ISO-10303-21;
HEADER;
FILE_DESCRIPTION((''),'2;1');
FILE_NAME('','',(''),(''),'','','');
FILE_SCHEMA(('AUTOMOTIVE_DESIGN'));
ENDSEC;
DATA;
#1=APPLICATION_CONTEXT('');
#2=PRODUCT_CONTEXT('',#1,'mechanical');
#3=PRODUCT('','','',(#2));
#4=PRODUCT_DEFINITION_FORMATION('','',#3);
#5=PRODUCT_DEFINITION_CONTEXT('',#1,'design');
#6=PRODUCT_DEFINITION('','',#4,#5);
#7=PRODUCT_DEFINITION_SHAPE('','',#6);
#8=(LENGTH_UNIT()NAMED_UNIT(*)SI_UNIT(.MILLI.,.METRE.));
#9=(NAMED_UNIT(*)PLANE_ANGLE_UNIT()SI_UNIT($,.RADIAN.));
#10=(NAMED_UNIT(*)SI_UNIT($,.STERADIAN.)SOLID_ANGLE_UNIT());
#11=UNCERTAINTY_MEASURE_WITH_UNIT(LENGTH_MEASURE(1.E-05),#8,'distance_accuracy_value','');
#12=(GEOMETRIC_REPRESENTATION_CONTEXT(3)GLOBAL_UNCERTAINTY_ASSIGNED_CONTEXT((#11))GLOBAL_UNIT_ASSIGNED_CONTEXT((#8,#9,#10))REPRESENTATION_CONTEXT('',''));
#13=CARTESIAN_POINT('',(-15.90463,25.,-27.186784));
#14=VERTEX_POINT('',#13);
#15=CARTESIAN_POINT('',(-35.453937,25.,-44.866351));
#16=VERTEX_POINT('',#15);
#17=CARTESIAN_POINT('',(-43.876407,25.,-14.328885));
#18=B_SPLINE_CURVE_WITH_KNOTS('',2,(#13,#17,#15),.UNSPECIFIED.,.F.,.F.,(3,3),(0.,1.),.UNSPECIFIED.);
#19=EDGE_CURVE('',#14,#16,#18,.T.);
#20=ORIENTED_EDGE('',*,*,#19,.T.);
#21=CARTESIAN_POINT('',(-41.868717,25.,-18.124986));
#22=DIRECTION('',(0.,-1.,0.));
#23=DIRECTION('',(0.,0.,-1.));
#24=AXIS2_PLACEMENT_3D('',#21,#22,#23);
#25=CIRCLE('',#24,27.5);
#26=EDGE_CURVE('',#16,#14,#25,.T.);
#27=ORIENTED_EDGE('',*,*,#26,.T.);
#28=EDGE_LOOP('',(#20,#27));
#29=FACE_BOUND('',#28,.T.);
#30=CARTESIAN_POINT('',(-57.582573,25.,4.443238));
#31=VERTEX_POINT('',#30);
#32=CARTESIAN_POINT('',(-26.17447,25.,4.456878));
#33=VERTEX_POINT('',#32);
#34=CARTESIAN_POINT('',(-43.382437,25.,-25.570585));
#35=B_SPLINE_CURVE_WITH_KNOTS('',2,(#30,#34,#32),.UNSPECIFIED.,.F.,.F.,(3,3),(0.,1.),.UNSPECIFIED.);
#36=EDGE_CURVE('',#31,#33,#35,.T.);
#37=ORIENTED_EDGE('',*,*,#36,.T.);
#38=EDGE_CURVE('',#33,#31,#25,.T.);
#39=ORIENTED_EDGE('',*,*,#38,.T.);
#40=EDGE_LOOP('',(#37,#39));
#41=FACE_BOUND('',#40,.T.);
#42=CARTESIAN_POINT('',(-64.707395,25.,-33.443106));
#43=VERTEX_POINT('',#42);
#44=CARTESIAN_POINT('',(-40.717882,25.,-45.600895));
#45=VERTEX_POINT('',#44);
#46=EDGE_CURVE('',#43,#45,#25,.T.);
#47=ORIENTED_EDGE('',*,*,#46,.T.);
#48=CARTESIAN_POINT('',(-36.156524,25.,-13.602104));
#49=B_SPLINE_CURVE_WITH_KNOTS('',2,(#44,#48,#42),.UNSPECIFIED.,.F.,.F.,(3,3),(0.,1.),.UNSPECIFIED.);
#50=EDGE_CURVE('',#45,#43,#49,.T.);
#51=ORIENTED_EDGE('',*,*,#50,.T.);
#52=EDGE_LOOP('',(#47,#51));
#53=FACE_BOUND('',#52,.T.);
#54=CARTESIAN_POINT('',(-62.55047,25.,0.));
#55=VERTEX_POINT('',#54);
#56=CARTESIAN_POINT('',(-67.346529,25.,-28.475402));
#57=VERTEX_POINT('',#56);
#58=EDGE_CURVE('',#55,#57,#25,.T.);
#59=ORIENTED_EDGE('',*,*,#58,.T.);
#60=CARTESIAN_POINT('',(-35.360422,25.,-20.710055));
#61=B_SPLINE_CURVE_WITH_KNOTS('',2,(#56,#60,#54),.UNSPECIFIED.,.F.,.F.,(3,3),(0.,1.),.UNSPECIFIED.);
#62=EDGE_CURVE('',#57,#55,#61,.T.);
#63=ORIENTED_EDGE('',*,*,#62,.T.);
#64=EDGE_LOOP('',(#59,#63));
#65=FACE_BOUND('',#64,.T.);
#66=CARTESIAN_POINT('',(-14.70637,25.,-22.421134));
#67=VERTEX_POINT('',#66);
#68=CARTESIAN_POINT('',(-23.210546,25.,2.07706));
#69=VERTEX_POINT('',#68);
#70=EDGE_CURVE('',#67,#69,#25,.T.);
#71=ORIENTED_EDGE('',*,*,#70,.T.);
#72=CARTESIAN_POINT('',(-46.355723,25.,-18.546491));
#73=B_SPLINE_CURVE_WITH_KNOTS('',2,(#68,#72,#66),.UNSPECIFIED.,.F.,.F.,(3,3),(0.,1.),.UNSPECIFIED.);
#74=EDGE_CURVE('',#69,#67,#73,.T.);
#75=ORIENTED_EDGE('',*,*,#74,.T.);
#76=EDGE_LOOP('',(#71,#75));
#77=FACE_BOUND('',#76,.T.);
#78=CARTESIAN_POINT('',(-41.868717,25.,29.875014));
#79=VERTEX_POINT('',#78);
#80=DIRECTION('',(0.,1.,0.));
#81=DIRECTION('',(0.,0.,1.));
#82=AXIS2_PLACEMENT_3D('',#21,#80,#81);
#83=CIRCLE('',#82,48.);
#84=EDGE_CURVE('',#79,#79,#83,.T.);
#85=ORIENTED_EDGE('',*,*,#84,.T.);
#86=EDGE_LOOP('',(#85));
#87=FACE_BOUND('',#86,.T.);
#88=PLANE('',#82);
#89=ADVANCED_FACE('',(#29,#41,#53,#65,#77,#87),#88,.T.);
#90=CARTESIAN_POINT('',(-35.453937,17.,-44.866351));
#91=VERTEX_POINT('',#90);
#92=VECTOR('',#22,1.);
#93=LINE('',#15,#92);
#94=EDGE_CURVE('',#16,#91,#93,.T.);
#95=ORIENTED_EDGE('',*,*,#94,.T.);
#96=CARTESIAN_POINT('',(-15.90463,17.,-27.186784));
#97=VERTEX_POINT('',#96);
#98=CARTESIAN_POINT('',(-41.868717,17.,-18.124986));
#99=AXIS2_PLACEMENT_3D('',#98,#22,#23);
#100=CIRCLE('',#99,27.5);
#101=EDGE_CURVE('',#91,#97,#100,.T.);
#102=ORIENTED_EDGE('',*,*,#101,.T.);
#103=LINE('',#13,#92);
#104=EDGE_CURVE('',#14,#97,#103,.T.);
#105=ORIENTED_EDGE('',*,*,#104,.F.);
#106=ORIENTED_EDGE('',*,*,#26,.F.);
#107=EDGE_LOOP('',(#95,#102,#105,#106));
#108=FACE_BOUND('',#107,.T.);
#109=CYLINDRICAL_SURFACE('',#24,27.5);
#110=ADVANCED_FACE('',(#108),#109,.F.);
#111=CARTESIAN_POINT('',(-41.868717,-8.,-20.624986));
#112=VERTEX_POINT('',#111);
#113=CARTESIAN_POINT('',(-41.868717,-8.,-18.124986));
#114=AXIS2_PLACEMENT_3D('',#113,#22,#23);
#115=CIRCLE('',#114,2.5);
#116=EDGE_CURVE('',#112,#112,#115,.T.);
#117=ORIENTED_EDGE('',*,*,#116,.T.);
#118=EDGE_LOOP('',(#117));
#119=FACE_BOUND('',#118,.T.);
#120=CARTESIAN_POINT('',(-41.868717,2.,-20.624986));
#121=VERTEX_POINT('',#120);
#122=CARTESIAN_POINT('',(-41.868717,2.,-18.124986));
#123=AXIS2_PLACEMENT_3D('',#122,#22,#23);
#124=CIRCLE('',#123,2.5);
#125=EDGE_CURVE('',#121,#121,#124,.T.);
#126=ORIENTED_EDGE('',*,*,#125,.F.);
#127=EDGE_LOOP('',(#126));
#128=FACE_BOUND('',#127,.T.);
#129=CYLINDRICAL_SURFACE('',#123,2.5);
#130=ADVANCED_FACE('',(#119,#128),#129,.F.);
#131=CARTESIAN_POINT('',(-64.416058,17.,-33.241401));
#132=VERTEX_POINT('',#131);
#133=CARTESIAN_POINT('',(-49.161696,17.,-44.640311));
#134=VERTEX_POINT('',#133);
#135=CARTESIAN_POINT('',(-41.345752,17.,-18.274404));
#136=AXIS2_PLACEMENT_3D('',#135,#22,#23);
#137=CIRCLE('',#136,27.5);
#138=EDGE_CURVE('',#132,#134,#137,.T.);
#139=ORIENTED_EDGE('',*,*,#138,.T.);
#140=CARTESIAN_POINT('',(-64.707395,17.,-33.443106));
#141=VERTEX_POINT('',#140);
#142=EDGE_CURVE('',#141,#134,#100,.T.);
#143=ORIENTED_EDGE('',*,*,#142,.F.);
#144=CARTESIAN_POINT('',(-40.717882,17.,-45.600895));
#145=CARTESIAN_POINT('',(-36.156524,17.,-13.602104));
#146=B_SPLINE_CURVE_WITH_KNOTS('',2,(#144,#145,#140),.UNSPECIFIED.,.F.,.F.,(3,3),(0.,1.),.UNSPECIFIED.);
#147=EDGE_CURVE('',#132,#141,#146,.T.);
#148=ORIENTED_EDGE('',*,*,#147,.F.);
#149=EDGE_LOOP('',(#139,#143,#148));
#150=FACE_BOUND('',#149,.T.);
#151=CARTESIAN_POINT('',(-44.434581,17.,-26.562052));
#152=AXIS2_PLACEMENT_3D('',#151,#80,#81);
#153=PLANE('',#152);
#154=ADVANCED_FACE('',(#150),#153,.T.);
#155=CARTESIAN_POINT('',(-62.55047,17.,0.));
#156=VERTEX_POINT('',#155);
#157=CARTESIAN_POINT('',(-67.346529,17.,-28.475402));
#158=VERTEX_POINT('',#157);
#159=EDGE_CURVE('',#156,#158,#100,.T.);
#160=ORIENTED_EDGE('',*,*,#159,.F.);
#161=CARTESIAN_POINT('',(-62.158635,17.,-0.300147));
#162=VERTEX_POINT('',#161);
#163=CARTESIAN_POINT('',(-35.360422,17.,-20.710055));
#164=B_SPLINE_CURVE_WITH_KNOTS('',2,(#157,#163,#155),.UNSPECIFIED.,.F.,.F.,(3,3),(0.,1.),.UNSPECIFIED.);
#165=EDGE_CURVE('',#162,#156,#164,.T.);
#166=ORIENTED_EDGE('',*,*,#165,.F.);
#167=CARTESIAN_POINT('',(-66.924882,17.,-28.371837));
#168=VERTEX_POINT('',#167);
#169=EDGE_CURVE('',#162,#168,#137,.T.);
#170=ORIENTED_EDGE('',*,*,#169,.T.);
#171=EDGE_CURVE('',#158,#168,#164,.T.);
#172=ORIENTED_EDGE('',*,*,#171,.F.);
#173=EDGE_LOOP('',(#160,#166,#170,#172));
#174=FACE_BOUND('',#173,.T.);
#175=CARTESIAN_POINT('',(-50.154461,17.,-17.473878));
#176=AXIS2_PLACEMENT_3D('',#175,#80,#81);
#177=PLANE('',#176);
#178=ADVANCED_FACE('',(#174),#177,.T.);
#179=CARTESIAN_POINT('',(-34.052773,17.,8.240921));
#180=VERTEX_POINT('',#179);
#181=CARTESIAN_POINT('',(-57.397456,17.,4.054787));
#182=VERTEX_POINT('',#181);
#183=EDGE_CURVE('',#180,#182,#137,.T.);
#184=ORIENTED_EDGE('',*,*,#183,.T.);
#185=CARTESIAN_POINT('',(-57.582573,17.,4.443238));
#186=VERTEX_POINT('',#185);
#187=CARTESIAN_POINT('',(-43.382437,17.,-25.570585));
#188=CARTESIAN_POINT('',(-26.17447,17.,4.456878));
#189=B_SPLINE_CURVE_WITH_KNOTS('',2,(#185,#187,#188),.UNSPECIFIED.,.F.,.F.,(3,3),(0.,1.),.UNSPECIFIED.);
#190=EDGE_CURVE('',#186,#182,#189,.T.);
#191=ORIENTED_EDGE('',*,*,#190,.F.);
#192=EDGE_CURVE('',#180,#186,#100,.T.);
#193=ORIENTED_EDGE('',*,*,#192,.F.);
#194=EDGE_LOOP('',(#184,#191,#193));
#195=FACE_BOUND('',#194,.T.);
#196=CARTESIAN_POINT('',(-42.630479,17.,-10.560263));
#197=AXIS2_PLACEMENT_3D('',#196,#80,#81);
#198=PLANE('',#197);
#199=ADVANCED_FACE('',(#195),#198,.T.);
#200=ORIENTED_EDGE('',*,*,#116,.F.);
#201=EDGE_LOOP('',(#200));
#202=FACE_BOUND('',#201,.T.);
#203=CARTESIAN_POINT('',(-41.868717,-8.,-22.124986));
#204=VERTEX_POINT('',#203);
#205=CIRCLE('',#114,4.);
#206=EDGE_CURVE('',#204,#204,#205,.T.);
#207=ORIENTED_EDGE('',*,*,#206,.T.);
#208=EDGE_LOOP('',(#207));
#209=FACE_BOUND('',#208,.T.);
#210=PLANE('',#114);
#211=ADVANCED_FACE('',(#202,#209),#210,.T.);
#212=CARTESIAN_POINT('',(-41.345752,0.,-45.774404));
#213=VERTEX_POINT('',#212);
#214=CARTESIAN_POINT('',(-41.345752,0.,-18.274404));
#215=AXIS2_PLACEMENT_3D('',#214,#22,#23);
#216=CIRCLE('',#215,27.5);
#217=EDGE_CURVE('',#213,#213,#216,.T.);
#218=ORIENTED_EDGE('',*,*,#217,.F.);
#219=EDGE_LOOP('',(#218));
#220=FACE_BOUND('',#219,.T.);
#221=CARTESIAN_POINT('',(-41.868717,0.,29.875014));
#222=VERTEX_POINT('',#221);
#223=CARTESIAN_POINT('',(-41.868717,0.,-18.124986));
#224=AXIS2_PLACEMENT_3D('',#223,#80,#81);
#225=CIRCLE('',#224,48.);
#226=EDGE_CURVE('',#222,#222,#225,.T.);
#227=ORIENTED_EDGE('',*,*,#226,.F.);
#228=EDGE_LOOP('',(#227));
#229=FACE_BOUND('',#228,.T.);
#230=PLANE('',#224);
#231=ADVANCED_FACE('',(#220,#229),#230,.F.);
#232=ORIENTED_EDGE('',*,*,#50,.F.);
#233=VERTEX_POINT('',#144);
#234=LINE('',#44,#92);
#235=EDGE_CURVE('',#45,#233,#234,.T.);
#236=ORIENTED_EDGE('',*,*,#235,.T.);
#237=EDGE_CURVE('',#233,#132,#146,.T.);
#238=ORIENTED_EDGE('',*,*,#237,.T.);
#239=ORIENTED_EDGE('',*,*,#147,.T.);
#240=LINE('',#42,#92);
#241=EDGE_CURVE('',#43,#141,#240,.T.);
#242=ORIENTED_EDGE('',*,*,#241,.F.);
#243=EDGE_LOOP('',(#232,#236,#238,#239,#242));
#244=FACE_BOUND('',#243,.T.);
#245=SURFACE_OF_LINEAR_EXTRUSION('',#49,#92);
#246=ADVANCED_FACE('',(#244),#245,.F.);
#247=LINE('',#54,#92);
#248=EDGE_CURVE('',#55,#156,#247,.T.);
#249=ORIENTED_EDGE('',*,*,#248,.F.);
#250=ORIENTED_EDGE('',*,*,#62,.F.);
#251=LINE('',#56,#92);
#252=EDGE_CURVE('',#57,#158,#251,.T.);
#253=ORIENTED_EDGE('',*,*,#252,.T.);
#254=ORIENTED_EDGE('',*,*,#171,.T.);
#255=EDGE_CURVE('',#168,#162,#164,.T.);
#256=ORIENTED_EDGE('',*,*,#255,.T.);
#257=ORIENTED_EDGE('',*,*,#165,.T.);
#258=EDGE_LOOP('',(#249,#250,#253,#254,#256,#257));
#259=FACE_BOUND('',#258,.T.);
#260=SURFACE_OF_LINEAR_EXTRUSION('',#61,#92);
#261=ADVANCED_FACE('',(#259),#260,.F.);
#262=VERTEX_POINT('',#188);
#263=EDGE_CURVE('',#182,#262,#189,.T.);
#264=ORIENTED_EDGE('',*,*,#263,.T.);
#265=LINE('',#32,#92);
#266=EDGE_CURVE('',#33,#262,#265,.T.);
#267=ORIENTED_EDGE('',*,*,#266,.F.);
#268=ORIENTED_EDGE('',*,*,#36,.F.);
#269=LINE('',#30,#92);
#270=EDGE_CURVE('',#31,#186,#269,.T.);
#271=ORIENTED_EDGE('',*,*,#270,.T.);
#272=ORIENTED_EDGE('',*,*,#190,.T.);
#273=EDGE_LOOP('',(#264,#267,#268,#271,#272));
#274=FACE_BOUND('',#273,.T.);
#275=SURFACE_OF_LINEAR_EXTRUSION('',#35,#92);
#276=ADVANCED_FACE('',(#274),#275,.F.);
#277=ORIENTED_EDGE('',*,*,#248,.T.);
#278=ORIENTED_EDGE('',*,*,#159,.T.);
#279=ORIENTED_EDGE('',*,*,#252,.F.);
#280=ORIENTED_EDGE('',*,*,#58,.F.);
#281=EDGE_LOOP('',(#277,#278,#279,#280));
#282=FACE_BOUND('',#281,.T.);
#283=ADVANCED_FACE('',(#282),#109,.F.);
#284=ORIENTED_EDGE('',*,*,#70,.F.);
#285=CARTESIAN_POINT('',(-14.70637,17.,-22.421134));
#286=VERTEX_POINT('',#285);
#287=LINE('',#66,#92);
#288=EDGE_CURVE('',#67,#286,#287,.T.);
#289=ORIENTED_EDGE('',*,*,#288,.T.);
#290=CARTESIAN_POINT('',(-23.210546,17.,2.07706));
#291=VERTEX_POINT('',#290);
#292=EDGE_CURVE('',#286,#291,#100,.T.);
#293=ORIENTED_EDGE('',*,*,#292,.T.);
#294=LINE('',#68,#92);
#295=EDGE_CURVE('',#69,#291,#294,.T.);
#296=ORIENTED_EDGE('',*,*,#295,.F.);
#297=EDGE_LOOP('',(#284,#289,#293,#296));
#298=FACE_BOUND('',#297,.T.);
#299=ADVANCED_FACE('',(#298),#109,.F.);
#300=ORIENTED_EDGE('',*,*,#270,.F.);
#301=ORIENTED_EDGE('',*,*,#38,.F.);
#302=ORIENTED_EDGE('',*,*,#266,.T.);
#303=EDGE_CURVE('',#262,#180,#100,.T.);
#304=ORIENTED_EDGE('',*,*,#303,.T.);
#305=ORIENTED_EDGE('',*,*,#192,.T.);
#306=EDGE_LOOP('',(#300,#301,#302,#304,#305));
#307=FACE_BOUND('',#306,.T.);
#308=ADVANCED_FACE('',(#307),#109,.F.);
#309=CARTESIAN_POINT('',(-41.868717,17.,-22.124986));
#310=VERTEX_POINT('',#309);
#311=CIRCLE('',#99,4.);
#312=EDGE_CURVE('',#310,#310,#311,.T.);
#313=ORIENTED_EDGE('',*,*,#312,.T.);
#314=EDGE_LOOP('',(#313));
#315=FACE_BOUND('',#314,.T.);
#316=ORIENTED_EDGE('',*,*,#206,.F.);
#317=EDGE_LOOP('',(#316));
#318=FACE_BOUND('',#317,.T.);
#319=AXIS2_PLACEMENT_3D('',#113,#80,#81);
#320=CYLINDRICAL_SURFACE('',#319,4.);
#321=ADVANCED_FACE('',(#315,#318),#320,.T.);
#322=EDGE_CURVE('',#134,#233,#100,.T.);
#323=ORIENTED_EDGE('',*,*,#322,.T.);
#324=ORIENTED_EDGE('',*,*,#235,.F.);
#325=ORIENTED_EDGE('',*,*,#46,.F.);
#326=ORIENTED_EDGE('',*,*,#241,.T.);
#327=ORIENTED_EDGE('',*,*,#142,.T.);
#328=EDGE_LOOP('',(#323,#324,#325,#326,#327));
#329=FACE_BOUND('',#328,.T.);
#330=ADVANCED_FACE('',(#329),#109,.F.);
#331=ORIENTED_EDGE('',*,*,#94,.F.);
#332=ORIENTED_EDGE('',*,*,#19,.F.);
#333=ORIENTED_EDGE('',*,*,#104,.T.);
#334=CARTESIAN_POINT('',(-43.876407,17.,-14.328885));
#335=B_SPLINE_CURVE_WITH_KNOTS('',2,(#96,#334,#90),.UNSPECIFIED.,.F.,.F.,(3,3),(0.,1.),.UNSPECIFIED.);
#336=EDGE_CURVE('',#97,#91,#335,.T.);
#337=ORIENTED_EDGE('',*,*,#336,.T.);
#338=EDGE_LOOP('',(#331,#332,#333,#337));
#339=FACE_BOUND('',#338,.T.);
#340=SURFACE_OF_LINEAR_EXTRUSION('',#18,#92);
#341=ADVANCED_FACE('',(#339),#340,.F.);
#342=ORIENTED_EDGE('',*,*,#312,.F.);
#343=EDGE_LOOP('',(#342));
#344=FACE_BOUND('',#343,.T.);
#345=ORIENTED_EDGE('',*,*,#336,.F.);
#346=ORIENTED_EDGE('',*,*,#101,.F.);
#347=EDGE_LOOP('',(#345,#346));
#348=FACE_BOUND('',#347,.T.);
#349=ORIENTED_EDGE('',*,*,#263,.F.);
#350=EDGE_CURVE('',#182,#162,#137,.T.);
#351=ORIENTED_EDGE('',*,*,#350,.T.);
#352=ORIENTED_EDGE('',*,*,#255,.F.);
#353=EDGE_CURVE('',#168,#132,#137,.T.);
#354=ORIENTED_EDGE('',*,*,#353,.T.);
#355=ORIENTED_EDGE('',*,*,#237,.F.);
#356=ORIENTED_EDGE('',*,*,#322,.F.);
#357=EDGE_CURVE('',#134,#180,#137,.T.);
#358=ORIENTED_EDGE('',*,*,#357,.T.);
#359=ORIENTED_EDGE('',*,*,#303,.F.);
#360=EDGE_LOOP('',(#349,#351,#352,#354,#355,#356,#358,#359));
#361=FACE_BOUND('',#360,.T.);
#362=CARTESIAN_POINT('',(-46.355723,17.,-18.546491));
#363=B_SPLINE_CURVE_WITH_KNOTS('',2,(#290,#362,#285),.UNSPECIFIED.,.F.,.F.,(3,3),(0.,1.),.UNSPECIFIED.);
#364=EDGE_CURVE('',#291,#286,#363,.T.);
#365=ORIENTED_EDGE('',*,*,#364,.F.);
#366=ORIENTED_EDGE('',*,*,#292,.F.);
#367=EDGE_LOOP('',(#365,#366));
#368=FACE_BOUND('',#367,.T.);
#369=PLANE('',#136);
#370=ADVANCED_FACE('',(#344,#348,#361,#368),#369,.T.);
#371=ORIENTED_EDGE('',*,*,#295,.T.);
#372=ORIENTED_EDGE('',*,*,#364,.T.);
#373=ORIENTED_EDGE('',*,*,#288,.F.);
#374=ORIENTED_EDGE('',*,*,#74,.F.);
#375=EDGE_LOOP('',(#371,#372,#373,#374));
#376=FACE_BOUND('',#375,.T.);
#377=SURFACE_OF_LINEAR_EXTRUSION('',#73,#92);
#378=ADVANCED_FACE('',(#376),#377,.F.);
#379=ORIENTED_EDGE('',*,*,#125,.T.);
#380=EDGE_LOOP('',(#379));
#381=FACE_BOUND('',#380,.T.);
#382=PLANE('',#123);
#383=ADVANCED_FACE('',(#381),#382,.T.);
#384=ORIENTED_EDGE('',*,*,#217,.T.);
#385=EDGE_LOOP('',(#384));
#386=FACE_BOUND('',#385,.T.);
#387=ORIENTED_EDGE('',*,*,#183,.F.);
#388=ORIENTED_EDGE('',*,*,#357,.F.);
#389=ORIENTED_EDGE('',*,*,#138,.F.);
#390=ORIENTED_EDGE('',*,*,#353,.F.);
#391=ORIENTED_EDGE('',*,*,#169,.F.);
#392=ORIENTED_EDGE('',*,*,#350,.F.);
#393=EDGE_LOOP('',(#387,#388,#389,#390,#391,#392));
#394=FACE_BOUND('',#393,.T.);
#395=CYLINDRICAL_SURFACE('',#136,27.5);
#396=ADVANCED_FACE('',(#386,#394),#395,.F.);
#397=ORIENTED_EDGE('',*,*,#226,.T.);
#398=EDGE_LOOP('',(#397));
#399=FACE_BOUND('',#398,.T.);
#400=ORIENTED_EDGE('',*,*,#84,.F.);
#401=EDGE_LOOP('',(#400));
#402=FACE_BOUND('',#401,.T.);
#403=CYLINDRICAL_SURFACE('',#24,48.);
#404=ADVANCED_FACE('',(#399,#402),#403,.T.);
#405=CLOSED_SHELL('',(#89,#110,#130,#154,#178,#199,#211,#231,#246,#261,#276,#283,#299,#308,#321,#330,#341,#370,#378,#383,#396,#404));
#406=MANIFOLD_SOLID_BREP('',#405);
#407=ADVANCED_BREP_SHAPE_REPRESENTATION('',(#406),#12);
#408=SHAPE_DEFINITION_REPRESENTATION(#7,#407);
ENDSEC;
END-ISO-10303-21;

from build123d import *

# Parameters (mm, degrees)
SKETCH2_R           = 40
BOSS_EXTRUDE1_DEPTH = 25
SKETCH3_R           = 27.5
CUT_EXTRUDE1_DEPTH  = 17
CUT_EXTRUDE3_DEPTH  = 9
SKETCH5_R           = 4
BOSS_EXTRUDE3_DEPTH = 25
SKETCH6_R           = 2.5
CUT_EXTRUDE4_DEPTH  = 10
SKETCH18_R          = 48
SKETCH18_R_2        = 40
BOSS_EXTRUDE5_DEPTH = 25


with BuildPart() as part:
    # Sketch2 → Boss-Extrude1 (new body)
    with BuildSketch(Plane(origin=(0, 0, 0), x_dir=(1, 0, 0), z_dir=(0, 1, 0))):
        with Locations((-41.86871729, 18.12498584)):
            Circle(SKETCH2_R)
    extrude(amount=BOSS_EXTRUDE1_DEPTH)

    # Sketch3 → Cut-Extrude1 (cut)
    with BuildSketch(Plane.XZ):
        with Locations((-41.345752459, -18.274404363)):
            Circle(SKETCH3_R)
    extrude(amount=-CUT_EXTRUDE1_DEPTH, mode=Mode.SUBTRACT)

    # Sketch4 → Cut-Extrude3 (cut, through all)
    with BuildSketch(Plane.XZ.offset(-17)):
        with BuildLine():
            ThreePointArc((-14.70636998, -22.421133954), (-15.889488047, -9.10669066), (-23.210546195, 2.077059883))
            add(Edge.make_bspline(
                [(-23.210546195, 2.077059883), (-46.355723427, -18.546490673), (-14.70636998, -22.421133954)],
                knots=[0, 0, 0, 1, 1, 1], degree=2))
        make_face()
        with BuildLine():
            ThreePointArc((-35.453936971, -44.866350679), (-23.423134112, -38.521320345), (-15.904630116, -27.18678352))
            add(Edge.make_bspline(
                [(-15.904630116, -27.18678352), (-43.876407216, -14.328885453), (-35.453936971, -44.866350679)],
                knots=[0, 0, 0, 1, 1, 1], degree=2))
        make_face()
        with BuildLine():
            ThreePointArc((-64.70739494, -33.443105934), (-54.300273107, -42.654690689), (-40.717881586, -45.600894873))
            add(Edge.make_bspline(
                [(-40.717881586, -45.600894873), (-36.156523784, -13.602103875), (-64.70739494, -33.443105934)],
                knots=[0, 0, 0, 1, 1, 1], degree=2))
        make_face()
        with BuildLine():
            ThreePointArc((-62.550469834, 0), (-68.986764274, -13.557543689), (-67.346528808, -28.475402269))
            add(Edge.make_bspline(
                [(-67.346528808, -28.475402269), (-35.360422095, -20.710055245), (-62.550469834, 0)],
                knots=[0, 0, 0, 1, 1, 1], degree=2))
        make_face()
        with BuildLine():
            ThreePointArc((-26.174469517, 4.456878273), (-41.880660096, 9.375011567), (-57.58257302, 4.44323824))
            add(Edge.make_bspline(
                [(-57.58257302, 4.44323824), (-43.38243666, -25.570584632), (-26.174469517, 4.456878273)],
                knots=[0, 0, 0, 1, 1, 1], degree=2))
        make_face()
    extrude(amount=-CUT_EXTRUDE3_DEPTH, mode=Mode.SUBTRACT)

    # Sketch5 → Boss-Extrude3 (add)
    with BuildSketch(Plane.XZ.offset(-17)):
        with Locations((-41.86871729, -18.12498584)):
            Circle(SKETCH5_R)
    extrude(amount=BOSS_EXTRUDE3_DEPTH)

    # Sketch6 → Cut-Extrude4 (cut)
    with BuildSketch(Plane.XZ.offset(8)):
        with Locations((-41.86871729, -18.12498584)):
            Circle(SKETCH6_R)
    extrude(amount=-CUT_EXTRUDE4_DEPTH, mode=Mode.SUBTRACT)

    # Sketch18 → Boss-Extrude5 (add)
    with BuildSketch(Plane(origin=(0, 0, 0), x_dir=(1, 0, 0), z_dir=(0, 1, 0))):
        with Locations((-41.86871729, 18.12498584)):
            Circle(SKETCH18_R)
        with Locations((-41.86871729, 18.12498584)):
            Circle(SKETCH18_R_2, mode=Mode.SUBTRACT)
    extrude(amount=BOSS_EXTRUDE5_DEPTH)


solid = part.part
